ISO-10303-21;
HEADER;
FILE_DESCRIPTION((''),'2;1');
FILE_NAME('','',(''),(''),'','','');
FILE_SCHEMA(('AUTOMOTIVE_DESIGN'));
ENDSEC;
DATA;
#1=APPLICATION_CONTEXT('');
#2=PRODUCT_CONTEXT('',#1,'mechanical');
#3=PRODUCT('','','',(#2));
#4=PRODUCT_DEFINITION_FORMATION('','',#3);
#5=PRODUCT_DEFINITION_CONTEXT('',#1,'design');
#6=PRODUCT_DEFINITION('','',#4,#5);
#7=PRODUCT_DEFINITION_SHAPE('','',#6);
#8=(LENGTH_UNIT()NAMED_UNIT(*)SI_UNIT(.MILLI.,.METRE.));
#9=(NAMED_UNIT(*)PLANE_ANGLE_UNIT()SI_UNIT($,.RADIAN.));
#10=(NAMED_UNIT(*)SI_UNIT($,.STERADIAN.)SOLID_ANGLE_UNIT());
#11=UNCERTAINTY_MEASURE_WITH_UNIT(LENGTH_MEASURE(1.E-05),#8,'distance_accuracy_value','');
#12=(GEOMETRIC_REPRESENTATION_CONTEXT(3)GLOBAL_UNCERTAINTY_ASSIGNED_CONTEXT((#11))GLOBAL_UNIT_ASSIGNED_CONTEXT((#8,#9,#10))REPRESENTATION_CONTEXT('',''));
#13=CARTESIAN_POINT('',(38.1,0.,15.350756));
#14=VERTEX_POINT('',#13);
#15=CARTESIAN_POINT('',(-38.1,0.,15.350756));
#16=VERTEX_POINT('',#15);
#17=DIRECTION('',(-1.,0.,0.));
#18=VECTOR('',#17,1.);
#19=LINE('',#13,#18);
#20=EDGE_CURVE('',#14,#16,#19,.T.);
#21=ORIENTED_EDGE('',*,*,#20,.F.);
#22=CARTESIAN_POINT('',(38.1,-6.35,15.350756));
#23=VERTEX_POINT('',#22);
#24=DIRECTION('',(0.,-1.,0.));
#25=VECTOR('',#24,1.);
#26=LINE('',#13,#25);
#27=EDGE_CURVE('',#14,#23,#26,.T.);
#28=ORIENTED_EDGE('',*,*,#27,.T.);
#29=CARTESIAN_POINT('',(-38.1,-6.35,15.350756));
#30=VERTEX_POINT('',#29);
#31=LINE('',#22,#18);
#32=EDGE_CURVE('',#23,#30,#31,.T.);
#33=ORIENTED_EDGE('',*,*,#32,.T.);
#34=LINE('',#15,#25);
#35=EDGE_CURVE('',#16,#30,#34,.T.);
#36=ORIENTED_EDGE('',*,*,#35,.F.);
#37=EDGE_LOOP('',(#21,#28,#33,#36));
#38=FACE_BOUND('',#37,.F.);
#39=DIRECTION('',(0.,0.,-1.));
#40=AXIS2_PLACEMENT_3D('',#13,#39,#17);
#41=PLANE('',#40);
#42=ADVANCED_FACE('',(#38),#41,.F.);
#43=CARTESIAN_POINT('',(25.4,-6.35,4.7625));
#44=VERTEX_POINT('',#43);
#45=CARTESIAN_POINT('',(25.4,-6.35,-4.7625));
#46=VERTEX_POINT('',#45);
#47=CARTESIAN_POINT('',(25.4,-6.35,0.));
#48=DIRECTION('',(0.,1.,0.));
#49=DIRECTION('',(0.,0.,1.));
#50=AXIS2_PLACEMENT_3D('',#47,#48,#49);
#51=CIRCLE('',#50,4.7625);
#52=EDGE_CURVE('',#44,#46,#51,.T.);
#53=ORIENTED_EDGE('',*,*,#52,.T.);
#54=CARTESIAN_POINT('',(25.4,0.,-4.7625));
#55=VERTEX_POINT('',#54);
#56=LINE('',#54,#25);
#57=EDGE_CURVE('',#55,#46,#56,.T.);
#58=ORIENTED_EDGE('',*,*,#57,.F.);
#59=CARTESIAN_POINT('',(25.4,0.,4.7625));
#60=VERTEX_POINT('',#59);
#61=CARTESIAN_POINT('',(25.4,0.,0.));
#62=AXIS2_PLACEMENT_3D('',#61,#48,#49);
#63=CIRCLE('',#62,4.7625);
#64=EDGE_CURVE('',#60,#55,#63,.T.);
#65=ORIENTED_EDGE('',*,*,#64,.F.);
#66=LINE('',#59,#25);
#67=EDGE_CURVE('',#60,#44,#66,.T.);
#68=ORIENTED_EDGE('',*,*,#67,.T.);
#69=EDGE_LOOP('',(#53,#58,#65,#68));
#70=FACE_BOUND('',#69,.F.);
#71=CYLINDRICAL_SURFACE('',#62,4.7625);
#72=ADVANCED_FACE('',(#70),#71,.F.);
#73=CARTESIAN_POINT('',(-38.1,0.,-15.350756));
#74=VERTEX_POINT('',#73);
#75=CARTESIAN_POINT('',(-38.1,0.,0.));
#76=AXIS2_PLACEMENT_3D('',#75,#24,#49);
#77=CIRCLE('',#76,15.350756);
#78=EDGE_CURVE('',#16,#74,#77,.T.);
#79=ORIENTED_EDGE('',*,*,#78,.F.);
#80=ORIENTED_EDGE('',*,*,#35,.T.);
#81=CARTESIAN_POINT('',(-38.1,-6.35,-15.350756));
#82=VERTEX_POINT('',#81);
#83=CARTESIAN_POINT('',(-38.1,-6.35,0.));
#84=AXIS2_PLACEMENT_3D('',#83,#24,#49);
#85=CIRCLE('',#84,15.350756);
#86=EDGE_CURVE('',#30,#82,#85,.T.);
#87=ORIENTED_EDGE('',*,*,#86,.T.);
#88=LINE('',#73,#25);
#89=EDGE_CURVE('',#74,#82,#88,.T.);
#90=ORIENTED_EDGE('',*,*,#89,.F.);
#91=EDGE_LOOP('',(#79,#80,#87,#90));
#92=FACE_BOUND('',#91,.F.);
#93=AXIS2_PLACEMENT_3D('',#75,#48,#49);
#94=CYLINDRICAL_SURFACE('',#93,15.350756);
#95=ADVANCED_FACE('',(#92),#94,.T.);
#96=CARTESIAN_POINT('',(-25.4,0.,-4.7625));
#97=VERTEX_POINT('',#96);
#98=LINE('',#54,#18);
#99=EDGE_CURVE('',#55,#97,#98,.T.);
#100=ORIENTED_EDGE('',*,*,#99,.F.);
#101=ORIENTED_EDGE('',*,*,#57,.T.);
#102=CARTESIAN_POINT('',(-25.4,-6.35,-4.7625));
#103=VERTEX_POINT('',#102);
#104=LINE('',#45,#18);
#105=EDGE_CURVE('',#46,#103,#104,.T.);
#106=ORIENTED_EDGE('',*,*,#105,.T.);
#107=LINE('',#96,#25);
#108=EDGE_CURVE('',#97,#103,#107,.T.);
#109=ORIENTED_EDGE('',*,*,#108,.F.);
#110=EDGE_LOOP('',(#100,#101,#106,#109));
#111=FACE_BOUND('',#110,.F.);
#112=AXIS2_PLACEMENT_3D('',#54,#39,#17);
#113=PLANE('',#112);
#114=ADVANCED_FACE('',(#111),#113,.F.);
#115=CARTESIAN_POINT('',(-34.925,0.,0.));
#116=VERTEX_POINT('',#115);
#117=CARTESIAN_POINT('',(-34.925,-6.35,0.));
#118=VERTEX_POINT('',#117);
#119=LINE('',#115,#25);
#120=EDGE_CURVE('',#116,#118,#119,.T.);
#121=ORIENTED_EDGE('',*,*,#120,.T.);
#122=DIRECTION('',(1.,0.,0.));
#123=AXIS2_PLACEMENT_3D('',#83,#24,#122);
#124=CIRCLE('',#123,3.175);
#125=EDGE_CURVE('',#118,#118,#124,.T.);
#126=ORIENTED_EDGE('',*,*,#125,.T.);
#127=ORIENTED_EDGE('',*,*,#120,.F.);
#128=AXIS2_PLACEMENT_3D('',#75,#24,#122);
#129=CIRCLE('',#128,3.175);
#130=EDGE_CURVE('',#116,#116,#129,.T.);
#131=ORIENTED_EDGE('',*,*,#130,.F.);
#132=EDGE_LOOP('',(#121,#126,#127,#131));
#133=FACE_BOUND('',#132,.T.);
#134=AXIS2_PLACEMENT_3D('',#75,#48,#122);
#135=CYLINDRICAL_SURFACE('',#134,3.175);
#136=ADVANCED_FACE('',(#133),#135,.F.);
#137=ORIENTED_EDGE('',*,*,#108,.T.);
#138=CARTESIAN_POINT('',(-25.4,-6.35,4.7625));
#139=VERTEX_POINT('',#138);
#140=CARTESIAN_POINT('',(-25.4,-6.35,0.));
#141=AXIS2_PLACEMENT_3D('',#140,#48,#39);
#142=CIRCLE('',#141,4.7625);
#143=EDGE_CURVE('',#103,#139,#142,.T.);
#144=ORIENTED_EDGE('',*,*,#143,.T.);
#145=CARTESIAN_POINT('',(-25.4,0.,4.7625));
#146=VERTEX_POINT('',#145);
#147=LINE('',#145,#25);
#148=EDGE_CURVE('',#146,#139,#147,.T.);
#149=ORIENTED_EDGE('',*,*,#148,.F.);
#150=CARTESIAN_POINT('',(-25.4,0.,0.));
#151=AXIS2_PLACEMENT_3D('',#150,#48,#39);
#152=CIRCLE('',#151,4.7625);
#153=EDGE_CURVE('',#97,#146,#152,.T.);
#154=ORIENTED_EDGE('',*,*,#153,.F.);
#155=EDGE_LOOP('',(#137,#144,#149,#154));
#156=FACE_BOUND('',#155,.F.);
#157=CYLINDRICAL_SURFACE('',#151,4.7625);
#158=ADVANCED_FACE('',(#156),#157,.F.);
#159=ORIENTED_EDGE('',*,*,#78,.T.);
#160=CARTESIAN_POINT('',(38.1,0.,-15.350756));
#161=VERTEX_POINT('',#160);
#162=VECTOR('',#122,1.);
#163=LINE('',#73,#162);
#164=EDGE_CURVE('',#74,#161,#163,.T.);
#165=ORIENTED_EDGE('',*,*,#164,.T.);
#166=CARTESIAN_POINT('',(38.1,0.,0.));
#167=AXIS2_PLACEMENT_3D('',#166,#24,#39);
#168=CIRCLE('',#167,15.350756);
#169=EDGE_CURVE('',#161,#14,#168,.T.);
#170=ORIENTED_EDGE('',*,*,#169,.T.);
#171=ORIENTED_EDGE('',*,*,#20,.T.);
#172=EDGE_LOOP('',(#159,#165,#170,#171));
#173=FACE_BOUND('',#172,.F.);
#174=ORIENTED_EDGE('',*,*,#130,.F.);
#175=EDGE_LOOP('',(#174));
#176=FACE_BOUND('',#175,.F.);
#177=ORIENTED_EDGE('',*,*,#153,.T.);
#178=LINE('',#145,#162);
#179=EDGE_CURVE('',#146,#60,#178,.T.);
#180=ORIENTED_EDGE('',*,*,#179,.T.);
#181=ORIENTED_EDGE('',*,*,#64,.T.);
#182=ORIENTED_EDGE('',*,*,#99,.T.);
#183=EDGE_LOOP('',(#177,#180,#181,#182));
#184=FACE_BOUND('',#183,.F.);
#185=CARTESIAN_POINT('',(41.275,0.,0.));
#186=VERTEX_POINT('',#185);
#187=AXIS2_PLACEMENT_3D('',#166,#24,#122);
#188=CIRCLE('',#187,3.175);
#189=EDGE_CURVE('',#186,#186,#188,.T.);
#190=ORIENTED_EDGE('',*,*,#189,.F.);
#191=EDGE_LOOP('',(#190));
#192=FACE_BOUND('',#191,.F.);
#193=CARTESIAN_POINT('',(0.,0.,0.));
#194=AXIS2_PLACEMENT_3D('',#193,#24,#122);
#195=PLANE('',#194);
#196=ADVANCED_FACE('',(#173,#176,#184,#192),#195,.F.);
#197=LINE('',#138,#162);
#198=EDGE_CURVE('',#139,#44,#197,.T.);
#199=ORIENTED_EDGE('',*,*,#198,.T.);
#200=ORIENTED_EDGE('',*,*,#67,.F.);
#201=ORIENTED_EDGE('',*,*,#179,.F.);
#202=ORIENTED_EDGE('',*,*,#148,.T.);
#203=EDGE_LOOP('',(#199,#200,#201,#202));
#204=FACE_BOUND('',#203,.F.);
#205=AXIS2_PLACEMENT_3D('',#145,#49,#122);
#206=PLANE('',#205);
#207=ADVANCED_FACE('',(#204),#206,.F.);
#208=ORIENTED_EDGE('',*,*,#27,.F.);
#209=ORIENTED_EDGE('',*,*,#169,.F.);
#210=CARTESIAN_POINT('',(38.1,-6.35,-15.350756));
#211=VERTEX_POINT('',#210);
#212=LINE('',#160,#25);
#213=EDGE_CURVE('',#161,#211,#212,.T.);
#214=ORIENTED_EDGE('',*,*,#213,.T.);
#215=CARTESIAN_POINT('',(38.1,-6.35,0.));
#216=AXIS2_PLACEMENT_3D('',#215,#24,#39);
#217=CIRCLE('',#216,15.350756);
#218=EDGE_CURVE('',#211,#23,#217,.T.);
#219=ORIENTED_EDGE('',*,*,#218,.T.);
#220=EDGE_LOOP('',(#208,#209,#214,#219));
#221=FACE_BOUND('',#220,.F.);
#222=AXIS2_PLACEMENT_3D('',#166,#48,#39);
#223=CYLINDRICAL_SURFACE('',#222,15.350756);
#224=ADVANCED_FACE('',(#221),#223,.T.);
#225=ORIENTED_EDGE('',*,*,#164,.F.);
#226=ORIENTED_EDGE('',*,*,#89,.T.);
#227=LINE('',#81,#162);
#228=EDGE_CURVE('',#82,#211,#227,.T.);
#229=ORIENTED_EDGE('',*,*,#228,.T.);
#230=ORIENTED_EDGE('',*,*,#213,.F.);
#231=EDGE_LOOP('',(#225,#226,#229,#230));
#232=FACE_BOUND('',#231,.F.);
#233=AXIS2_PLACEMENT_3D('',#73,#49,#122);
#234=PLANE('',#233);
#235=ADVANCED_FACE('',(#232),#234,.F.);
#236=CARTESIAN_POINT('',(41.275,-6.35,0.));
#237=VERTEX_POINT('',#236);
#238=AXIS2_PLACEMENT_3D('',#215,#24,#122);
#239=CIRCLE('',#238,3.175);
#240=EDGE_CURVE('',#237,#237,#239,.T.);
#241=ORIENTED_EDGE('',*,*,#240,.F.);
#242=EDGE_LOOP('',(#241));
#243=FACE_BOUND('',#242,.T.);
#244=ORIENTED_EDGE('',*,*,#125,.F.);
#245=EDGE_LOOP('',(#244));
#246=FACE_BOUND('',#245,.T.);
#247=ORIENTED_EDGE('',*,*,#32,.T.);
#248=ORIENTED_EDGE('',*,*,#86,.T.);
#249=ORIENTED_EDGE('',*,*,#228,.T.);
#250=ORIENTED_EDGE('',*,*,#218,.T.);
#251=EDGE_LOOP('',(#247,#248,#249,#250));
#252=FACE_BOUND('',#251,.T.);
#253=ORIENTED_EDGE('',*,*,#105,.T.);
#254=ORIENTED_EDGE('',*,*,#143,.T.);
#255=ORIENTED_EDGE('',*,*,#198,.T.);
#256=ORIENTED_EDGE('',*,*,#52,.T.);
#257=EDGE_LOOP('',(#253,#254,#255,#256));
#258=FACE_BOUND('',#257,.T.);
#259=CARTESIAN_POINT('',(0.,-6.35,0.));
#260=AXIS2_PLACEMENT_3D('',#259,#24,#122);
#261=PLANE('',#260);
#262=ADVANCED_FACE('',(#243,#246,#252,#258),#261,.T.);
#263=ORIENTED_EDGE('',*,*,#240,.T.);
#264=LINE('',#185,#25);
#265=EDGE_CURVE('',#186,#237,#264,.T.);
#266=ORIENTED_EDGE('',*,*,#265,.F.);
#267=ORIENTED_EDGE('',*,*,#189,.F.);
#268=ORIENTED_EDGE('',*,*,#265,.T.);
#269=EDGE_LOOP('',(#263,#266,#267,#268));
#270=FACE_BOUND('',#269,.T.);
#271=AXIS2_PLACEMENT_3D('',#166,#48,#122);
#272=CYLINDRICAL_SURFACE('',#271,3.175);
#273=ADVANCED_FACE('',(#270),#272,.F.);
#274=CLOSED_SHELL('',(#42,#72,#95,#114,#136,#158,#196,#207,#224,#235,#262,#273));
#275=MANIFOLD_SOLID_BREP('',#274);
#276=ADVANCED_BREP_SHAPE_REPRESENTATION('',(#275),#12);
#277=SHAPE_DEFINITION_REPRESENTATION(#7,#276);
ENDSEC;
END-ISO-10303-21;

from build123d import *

# Parameters (mm, degrees)
F0_R     = 3.175
F1_DEPTH = 6.35


with BuildPart() as f1:
    # F0 (on Front) → F1 (new body)
    with BuildSketch(Plane.XZ):
        with BuildLine():
            ThreePointArc((38.1, -15.350756), (53.450756, 0), (38.1, 15.350756))
            Line((38.1, 15.350756), (-38.1, 15.350756))
            ThreePointArc((-38.1, 15.350756), (-53.450756, 0), (-38.1, -15.350756))
            Line((-38.1, -15.350756), (38.1, -15.350756))
        make_face()
        with Locations((-38.1, 0)):
            Circle(F0_R, mode=Mode.SUBTRACT)
        with BuildLine():
            Line((-25.4, 4.7625), (25.4, 4.7625))
            ThreePointArc((25.4, 4.7625), (30.1625, 0), (25.4, -4.7625))
            Line((25.4, -4.7625), (-25.4, -4.7625))
            ThreePointArc((-25.4, -4.7625), (-30.1625, 0), (-25.4, 4.7625))
        make_face(mode=Mode.SUBTRACT)
        with Locations((38.1, 0)):
            Circle(F0_R, mode=Mode.SUBTRACT)
    extrude(amount=F1_DEPTH)


solid = f1.part
